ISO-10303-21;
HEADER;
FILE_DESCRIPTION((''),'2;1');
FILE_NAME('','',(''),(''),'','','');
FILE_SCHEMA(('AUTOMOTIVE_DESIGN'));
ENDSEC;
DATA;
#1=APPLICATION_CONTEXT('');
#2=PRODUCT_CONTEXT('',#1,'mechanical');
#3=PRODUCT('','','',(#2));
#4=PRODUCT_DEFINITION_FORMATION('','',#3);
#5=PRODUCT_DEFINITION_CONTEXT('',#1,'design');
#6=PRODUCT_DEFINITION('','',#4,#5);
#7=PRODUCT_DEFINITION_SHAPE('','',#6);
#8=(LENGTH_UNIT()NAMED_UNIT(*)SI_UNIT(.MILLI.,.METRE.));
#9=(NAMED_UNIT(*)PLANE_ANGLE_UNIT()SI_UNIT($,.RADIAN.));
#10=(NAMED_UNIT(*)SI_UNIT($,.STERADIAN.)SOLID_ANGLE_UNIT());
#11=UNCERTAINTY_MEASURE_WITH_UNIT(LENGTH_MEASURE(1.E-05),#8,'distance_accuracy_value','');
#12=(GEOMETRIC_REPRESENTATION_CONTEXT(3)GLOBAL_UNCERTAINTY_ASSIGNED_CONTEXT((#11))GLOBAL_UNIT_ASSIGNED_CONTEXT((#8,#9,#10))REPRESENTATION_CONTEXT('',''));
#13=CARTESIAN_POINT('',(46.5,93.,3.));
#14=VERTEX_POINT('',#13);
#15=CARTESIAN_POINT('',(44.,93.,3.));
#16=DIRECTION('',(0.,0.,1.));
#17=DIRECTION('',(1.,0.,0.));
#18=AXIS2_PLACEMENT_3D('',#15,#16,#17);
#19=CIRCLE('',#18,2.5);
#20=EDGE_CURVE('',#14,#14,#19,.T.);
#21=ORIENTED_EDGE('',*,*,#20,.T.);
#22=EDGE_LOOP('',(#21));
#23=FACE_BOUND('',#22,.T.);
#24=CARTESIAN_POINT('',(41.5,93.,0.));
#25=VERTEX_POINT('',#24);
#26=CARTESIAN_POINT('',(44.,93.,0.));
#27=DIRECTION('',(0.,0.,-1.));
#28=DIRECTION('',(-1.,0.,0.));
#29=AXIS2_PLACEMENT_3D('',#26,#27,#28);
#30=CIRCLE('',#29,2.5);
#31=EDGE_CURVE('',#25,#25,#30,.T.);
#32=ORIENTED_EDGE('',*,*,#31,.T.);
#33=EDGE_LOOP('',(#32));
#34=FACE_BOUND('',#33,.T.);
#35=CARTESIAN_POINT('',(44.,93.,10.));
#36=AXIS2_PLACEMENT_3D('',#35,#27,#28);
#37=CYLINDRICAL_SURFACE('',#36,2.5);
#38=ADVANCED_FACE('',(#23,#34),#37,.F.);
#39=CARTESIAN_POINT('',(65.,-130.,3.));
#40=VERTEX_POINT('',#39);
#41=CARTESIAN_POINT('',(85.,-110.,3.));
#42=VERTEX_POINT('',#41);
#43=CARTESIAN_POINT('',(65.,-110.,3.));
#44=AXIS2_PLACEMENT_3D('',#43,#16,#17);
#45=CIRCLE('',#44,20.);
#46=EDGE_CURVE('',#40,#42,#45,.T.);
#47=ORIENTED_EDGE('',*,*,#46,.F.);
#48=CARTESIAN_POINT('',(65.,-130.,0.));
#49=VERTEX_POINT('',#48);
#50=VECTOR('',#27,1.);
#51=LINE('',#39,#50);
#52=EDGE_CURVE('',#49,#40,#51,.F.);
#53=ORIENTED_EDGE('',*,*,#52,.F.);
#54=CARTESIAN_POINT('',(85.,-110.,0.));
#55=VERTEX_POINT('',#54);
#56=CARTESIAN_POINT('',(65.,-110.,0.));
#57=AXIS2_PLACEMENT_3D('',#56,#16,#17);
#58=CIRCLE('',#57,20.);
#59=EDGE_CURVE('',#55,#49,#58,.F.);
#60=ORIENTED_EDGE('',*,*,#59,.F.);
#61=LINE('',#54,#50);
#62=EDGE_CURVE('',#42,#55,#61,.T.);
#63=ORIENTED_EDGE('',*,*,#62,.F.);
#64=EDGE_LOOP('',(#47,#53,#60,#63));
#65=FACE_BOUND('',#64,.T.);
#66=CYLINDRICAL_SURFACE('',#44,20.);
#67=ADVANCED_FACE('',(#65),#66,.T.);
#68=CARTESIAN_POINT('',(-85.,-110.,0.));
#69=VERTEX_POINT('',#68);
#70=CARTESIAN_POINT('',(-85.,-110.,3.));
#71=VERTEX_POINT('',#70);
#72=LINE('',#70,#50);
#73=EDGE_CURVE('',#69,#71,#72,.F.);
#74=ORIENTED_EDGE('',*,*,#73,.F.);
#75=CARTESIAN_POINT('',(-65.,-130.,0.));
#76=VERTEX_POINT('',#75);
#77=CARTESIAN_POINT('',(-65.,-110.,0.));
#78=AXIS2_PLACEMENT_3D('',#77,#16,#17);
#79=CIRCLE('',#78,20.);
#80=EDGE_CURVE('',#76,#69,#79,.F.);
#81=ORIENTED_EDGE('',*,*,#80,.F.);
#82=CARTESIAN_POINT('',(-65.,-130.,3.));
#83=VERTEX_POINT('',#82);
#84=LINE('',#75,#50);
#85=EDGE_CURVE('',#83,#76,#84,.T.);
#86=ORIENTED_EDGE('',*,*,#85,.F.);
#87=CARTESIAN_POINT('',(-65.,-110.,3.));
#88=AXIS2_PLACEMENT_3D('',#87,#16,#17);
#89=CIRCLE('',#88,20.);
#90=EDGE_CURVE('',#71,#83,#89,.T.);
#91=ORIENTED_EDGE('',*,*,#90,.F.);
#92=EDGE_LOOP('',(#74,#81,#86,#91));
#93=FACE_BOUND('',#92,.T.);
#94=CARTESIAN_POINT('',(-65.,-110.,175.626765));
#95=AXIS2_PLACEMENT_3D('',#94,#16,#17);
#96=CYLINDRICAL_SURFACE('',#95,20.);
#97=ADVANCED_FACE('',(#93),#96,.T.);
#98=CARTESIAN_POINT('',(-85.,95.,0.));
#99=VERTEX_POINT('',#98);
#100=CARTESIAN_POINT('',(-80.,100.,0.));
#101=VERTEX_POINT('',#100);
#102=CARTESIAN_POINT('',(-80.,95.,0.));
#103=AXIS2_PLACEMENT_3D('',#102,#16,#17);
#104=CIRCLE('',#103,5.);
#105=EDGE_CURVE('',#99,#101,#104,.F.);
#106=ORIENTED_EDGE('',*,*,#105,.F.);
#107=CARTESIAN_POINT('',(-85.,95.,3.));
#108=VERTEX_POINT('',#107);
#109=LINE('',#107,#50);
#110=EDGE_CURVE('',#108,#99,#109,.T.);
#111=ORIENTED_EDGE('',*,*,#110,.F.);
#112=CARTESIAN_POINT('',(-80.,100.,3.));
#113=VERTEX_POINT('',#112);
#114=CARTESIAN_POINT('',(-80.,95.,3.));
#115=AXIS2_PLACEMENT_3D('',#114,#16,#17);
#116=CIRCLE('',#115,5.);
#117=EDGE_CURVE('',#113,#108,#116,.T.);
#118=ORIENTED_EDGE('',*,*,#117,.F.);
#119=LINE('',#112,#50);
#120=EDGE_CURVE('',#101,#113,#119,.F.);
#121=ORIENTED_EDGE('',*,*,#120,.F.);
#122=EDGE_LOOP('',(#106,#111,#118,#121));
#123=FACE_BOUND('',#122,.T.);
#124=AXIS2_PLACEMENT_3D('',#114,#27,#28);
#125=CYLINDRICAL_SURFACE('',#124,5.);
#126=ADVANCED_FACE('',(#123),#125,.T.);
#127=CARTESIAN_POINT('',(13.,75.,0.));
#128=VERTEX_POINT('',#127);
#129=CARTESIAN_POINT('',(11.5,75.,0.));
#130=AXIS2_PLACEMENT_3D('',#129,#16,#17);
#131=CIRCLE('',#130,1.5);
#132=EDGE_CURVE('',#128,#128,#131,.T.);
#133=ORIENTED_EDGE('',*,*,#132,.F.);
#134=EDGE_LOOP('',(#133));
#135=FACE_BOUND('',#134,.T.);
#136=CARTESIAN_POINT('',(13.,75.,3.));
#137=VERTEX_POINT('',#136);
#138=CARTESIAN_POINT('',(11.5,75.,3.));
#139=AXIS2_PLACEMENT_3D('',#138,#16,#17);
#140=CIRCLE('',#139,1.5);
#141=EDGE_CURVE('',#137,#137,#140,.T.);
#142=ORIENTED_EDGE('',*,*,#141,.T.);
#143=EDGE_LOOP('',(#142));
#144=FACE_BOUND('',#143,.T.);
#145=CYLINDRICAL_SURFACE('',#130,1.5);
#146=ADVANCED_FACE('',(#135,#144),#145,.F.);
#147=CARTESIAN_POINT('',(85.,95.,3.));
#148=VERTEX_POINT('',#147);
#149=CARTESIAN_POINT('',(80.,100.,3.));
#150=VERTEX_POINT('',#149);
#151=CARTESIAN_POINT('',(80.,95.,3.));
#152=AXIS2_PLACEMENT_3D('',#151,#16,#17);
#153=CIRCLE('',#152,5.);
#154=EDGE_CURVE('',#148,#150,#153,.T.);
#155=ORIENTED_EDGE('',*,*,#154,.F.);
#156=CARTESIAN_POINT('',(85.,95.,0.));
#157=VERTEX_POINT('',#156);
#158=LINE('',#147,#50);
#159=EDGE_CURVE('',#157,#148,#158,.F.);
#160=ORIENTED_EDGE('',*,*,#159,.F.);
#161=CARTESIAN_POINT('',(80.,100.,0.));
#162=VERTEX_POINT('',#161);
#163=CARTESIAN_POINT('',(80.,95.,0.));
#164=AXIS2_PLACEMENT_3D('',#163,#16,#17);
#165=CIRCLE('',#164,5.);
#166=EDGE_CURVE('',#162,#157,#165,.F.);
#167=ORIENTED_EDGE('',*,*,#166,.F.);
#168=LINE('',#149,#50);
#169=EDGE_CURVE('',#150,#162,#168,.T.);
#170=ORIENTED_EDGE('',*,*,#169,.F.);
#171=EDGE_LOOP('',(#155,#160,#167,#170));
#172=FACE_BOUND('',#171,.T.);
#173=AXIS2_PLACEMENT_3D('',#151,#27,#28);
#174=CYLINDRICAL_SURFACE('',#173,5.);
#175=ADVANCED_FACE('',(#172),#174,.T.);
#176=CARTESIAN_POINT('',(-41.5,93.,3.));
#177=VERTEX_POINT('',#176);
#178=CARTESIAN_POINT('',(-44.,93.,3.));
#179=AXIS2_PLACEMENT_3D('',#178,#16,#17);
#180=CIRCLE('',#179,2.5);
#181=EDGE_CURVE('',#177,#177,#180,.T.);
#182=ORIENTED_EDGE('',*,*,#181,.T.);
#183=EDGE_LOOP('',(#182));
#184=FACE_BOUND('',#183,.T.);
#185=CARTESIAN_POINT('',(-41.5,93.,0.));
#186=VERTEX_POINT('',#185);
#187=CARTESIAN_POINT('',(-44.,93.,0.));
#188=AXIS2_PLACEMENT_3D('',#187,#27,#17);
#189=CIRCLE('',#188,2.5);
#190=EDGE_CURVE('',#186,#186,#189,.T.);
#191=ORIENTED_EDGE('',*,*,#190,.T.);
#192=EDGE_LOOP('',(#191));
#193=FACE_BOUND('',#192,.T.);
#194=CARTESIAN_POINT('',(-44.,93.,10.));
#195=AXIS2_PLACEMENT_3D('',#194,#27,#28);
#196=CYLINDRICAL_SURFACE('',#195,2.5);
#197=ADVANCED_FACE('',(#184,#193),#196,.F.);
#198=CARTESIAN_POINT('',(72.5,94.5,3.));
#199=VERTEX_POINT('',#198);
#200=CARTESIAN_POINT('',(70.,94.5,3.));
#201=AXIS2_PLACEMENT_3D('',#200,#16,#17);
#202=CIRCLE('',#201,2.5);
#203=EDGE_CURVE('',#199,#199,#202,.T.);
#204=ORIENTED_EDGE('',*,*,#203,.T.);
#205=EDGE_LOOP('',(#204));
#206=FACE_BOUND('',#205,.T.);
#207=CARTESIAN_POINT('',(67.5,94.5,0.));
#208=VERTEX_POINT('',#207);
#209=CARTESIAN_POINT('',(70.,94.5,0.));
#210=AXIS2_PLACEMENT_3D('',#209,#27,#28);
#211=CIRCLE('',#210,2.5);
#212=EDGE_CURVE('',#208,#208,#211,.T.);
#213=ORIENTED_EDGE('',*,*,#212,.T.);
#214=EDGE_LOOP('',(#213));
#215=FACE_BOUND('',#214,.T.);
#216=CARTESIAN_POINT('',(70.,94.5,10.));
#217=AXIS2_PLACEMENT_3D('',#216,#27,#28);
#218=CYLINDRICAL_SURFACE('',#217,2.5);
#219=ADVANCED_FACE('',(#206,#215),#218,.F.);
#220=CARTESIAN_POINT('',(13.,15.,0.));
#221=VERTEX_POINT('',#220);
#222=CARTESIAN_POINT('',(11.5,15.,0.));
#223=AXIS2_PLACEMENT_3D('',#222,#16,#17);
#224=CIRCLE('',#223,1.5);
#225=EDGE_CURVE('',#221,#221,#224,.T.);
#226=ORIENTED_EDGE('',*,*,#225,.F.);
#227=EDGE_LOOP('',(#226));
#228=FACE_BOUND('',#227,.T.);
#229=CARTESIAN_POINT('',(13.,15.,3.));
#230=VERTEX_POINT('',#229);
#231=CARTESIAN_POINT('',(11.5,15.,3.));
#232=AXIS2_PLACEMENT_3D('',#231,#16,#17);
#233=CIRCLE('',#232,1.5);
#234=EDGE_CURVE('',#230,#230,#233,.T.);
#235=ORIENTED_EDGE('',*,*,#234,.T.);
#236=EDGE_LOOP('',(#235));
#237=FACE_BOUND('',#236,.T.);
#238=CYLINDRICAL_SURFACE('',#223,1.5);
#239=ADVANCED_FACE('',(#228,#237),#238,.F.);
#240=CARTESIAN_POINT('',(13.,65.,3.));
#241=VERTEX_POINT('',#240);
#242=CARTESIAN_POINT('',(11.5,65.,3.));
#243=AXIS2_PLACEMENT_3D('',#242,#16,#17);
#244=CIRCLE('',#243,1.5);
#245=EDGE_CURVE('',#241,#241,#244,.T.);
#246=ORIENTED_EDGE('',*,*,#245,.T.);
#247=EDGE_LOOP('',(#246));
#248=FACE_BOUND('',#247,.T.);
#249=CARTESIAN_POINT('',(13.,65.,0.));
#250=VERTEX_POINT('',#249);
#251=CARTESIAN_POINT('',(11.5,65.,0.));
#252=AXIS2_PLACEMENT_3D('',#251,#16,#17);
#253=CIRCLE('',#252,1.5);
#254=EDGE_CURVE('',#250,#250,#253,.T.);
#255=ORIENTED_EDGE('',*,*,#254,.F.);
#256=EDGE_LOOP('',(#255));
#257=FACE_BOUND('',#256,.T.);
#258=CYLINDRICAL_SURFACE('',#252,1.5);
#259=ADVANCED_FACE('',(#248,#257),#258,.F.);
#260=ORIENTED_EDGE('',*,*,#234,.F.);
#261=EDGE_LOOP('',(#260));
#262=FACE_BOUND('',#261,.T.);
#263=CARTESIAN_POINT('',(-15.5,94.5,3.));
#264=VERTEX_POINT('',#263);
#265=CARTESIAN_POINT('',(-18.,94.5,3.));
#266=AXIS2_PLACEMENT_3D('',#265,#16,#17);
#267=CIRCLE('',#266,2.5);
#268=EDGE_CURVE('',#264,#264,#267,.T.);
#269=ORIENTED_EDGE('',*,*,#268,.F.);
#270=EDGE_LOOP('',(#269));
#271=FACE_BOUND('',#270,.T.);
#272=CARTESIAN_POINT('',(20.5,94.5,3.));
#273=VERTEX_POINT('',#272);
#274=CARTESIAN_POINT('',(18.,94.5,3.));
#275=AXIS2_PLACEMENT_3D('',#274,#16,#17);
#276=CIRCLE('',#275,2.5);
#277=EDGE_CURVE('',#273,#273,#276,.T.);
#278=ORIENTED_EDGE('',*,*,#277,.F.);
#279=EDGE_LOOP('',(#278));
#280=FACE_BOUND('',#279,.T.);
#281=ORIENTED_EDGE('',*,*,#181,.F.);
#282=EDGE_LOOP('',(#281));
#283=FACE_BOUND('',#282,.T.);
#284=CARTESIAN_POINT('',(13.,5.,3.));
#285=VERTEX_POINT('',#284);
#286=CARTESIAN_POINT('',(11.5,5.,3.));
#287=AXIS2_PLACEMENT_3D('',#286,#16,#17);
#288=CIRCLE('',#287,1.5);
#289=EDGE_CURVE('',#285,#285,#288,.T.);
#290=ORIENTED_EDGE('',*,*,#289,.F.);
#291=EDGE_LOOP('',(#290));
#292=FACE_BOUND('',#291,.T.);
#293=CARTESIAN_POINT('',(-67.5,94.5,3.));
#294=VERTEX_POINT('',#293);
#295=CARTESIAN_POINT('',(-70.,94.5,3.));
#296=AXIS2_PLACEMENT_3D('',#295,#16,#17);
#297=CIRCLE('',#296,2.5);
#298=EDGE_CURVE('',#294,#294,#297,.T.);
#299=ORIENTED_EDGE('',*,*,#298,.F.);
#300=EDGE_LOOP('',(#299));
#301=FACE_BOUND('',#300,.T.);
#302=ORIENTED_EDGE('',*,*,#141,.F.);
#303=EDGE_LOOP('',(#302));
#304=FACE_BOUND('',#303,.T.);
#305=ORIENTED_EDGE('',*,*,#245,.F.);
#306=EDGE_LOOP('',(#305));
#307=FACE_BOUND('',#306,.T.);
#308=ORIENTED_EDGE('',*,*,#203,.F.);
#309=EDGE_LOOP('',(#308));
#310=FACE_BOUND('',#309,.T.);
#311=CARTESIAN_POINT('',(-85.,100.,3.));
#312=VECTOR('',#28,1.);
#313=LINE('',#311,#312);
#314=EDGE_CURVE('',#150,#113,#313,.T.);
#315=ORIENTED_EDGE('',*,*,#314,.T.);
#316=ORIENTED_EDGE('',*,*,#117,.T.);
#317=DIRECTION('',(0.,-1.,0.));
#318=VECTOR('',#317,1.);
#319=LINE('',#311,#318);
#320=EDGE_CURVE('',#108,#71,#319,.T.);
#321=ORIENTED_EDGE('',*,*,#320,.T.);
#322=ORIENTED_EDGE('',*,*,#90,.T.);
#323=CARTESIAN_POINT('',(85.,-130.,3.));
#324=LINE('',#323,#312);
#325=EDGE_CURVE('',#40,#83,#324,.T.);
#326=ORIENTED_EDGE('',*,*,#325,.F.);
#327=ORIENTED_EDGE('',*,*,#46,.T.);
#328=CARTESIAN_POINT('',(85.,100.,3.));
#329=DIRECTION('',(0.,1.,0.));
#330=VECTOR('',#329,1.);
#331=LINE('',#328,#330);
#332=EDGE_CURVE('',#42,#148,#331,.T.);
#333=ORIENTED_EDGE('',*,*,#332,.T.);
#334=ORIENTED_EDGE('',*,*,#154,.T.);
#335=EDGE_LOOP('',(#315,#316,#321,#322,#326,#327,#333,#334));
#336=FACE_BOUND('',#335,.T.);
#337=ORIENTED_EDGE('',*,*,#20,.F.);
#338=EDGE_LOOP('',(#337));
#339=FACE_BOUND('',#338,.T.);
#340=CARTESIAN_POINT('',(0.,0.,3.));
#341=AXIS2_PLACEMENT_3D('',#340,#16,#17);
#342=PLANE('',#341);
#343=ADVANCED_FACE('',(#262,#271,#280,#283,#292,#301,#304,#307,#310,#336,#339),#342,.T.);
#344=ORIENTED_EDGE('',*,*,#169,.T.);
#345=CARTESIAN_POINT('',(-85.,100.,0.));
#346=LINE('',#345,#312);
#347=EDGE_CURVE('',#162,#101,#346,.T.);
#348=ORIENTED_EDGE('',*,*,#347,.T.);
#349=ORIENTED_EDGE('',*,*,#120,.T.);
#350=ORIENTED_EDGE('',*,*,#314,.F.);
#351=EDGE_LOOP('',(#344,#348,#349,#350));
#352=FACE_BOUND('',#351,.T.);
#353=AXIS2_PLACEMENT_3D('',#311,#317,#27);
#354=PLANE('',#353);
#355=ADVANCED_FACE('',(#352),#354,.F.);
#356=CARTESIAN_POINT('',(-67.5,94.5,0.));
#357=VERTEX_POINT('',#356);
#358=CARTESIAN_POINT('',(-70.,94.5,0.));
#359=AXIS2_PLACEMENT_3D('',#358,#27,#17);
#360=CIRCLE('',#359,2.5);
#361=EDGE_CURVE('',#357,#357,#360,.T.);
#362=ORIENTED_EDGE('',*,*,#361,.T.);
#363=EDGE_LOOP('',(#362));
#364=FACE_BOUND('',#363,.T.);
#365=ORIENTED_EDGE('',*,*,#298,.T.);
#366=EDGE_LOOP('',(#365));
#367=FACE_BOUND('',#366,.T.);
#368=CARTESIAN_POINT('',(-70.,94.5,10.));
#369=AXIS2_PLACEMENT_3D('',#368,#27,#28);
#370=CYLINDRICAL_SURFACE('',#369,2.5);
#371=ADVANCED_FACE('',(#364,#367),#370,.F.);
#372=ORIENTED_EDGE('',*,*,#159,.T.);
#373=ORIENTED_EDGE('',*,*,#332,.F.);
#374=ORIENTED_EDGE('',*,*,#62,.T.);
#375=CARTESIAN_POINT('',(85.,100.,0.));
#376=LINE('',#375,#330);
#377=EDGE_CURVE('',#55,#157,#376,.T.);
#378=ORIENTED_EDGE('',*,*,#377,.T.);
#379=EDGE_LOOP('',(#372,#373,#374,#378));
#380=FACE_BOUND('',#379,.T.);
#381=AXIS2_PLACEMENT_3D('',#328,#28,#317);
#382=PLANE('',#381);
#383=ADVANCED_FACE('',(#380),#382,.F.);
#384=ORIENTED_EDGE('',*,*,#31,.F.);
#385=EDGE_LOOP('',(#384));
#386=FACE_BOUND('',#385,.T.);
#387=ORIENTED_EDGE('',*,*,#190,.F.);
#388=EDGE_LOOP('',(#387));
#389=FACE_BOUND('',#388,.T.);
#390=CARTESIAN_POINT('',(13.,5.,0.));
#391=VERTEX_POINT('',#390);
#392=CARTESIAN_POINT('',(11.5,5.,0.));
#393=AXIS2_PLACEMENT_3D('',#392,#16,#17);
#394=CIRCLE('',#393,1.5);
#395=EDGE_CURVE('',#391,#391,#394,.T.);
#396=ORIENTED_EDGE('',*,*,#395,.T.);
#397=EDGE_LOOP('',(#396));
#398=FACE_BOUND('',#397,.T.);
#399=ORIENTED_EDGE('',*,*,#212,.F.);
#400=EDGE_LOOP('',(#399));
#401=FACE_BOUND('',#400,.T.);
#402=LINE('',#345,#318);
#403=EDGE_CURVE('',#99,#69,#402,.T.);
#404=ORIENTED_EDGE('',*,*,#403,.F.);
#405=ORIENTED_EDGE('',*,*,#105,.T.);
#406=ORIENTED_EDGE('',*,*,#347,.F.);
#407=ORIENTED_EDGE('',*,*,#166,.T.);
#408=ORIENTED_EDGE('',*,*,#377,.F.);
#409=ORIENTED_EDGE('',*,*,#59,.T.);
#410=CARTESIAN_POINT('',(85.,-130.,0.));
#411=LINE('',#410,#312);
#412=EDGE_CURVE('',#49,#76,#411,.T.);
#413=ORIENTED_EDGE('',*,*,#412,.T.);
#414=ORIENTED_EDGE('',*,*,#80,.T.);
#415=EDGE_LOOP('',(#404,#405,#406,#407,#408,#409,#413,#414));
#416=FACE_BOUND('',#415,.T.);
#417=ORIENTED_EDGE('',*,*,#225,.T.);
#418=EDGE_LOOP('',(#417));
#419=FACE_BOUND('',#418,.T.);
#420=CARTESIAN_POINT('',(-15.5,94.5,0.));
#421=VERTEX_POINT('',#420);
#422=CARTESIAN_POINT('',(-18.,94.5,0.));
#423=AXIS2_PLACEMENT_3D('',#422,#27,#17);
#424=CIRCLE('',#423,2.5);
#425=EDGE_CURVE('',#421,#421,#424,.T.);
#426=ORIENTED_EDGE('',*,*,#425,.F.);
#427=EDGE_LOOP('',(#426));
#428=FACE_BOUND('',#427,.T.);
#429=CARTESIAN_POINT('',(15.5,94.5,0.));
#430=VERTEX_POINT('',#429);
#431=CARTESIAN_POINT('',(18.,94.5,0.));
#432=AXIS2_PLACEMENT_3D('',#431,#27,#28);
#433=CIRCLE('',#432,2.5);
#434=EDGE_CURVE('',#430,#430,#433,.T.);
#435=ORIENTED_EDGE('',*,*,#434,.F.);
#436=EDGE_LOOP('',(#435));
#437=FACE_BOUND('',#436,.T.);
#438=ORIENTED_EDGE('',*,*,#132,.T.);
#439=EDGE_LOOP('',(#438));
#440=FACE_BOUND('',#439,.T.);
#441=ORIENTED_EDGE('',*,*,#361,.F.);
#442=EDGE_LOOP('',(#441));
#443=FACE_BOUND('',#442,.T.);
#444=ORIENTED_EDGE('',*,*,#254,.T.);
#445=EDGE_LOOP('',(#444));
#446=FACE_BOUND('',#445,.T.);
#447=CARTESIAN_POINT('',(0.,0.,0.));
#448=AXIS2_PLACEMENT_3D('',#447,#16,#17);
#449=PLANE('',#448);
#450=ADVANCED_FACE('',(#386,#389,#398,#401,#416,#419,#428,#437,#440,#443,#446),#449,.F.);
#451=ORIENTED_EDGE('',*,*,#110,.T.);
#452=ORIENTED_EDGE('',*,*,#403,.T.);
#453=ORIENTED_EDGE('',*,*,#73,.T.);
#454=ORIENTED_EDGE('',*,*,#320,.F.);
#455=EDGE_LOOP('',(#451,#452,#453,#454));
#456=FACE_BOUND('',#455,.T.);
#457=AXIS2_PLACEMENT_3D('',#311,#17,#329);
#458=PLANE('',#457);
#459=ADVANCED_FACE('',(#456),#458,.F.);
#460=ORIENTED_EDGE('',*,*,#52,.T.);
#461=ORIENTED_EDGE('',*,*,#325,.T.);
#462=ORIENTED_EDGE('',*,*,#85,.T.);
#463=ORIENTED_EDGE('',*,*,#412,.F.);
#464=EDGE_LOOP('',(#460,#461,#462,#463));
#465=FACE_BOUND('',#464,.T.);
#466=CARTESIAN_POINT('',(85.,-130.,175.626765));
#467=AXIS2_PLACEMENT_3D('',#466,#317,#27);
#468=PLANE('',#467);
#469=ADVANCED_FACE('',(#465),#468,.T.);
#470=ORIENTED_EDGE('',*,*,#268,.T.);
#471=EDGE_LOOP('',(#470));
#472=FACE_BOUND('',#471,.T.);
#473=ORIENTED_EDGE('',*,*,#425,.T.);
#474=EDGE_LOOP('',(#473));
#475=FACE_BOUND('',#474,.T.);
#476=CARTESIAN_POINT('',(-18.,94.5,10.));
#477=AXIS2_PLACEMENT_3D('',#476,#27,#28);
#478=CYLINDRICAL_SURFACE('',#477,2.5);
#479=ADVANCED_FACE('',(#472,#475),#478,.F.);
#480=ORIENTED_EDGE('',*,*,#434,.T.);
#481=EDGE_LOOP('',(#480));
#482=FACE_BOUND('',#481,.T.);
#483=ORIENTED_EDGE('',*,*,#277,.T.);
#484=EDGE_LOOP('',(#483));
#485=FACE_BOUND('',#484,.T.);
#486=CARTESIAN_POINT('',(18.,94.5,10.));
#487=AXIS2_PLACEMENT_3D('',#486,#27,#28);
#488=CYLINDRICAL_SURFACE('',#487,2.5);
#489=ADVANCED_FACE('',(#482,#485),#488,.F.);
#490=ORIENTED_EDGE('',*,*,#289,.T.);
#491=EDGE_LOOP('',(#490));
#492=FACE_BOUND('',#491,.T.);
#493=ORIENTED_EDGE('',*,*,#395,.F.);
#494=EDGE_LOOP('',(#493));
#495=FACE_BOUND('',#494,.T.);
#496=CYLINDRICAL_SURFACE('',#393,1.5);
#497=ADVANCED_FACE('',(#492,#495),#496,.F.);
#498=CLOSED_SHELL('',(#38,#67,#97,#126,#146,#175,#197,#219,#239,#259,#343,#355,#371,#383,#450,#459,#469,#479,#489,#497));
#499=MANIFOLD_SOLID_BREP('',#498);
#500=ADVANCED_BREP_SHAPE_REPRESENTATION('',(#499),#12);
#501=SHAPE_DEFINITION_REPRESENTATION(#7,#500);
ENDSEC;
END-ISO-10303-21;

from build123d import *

# Parameters (mm, degrees)
SKETCH_1_W          = 170
SKETCH_1_H          = 200
EXTRUDE_1_DEPTH     = 3
SKETCH_4_W          = 170
SKETCH_4_H          = 30
EXTRUDE_2_DEPTH     = 3
FILLET_1_R          = 20
FILLET_2_R          = 5
SKETCH_6_R          = 1.5
CUT_EXTRUDE_3_DEPTH = 4
SKETCH_7_R          = 2.5
CUT_EXTRUDE_4_DEPTH = 10


with BuildPart() as part:
    # 草图1 → 凸台-拉伸1 (new body)
    with BuildSketch(Plane.XY):
        Rectangle(SKETCH_1_W, SKETCH_1_H)
    extrude(amount=EXTRUDE_1_DEPTH)

    # 草图4 → 凸台-拉伸2 (add)
    with BuildSketch(Plane(origin=(0, 0, 0), x_dir=(-1, 0, 0), z_dir=(0, 0, -1))):
        with Locations((0, -115)):
            Rectangle(SKETCH_4_W, SKETCH_4_H)
    extrude(amount=-EXTRUDE_2_DEPTH)

    # 圆角1
    fillet_1_edges = [part.edges().sort_by_distance(p)[0] for p in [
        (-85, -130, 1.5),
        (85, -130, 1.5),
    ]]
    fillet(fillet_1_edges, radius=FILLET_1_R)

    # 圆角2
    fillet_2_edges = [part.edges().sort_by_distance(p)[0] for p in [
        (-85, 100, 1.5),
        (85, 100, 1.5),
    ]]
    fillet(fillet_2_edges, radius=FILLET_2_R)

    # 草图6 → 切除-拉伸3 (cut, through all)
    with BuildSketch(Plane.XY.offset(3)):
        with Locations((11.5, 5)):
            Circle(SKETCH_6_R)
        with Locations((11.5, 15)):
            Circle(SKETCH_6_R)
        with Locations((11.5, 65)):
            Circle(SKETCH_6_R)
        with Locations((11.5, 75)):
            Circle(SKETCH_6_R)
    extrude(amount=-CUT_EXTRUDE_3_DEPTH, mode=Mode.SUBTRACT)

    # 草图7 → 切除-拉伸4 (cut)
    with BuildSketch(Plane(origin=(0, 0, 0), x_dir=(-1, 0, 0), z_dir=(0, 0, -1))):
        with Locations((-18, 94.5)):
            Circle(SKETCH_7_R)
        with Locations((-70, 94.5)):
            Circle(SKETCH_7_R)
        with Locations((-44, 93)):
            Circle(SKETCH_7_R)
        with Locations((70, 94.5)):
            Circle(SKETCH_7_R)
        with Locations((44, 93)):
            Circle(SKETCH_7_R)
        with Locations((18, 94.5)):
            Circle(SKETCH_7_R)
    extrude(amount=-CUT_EXTRUDE_4_DEPTH, mode=Mode.SUBTRACT)


solid = part.part
